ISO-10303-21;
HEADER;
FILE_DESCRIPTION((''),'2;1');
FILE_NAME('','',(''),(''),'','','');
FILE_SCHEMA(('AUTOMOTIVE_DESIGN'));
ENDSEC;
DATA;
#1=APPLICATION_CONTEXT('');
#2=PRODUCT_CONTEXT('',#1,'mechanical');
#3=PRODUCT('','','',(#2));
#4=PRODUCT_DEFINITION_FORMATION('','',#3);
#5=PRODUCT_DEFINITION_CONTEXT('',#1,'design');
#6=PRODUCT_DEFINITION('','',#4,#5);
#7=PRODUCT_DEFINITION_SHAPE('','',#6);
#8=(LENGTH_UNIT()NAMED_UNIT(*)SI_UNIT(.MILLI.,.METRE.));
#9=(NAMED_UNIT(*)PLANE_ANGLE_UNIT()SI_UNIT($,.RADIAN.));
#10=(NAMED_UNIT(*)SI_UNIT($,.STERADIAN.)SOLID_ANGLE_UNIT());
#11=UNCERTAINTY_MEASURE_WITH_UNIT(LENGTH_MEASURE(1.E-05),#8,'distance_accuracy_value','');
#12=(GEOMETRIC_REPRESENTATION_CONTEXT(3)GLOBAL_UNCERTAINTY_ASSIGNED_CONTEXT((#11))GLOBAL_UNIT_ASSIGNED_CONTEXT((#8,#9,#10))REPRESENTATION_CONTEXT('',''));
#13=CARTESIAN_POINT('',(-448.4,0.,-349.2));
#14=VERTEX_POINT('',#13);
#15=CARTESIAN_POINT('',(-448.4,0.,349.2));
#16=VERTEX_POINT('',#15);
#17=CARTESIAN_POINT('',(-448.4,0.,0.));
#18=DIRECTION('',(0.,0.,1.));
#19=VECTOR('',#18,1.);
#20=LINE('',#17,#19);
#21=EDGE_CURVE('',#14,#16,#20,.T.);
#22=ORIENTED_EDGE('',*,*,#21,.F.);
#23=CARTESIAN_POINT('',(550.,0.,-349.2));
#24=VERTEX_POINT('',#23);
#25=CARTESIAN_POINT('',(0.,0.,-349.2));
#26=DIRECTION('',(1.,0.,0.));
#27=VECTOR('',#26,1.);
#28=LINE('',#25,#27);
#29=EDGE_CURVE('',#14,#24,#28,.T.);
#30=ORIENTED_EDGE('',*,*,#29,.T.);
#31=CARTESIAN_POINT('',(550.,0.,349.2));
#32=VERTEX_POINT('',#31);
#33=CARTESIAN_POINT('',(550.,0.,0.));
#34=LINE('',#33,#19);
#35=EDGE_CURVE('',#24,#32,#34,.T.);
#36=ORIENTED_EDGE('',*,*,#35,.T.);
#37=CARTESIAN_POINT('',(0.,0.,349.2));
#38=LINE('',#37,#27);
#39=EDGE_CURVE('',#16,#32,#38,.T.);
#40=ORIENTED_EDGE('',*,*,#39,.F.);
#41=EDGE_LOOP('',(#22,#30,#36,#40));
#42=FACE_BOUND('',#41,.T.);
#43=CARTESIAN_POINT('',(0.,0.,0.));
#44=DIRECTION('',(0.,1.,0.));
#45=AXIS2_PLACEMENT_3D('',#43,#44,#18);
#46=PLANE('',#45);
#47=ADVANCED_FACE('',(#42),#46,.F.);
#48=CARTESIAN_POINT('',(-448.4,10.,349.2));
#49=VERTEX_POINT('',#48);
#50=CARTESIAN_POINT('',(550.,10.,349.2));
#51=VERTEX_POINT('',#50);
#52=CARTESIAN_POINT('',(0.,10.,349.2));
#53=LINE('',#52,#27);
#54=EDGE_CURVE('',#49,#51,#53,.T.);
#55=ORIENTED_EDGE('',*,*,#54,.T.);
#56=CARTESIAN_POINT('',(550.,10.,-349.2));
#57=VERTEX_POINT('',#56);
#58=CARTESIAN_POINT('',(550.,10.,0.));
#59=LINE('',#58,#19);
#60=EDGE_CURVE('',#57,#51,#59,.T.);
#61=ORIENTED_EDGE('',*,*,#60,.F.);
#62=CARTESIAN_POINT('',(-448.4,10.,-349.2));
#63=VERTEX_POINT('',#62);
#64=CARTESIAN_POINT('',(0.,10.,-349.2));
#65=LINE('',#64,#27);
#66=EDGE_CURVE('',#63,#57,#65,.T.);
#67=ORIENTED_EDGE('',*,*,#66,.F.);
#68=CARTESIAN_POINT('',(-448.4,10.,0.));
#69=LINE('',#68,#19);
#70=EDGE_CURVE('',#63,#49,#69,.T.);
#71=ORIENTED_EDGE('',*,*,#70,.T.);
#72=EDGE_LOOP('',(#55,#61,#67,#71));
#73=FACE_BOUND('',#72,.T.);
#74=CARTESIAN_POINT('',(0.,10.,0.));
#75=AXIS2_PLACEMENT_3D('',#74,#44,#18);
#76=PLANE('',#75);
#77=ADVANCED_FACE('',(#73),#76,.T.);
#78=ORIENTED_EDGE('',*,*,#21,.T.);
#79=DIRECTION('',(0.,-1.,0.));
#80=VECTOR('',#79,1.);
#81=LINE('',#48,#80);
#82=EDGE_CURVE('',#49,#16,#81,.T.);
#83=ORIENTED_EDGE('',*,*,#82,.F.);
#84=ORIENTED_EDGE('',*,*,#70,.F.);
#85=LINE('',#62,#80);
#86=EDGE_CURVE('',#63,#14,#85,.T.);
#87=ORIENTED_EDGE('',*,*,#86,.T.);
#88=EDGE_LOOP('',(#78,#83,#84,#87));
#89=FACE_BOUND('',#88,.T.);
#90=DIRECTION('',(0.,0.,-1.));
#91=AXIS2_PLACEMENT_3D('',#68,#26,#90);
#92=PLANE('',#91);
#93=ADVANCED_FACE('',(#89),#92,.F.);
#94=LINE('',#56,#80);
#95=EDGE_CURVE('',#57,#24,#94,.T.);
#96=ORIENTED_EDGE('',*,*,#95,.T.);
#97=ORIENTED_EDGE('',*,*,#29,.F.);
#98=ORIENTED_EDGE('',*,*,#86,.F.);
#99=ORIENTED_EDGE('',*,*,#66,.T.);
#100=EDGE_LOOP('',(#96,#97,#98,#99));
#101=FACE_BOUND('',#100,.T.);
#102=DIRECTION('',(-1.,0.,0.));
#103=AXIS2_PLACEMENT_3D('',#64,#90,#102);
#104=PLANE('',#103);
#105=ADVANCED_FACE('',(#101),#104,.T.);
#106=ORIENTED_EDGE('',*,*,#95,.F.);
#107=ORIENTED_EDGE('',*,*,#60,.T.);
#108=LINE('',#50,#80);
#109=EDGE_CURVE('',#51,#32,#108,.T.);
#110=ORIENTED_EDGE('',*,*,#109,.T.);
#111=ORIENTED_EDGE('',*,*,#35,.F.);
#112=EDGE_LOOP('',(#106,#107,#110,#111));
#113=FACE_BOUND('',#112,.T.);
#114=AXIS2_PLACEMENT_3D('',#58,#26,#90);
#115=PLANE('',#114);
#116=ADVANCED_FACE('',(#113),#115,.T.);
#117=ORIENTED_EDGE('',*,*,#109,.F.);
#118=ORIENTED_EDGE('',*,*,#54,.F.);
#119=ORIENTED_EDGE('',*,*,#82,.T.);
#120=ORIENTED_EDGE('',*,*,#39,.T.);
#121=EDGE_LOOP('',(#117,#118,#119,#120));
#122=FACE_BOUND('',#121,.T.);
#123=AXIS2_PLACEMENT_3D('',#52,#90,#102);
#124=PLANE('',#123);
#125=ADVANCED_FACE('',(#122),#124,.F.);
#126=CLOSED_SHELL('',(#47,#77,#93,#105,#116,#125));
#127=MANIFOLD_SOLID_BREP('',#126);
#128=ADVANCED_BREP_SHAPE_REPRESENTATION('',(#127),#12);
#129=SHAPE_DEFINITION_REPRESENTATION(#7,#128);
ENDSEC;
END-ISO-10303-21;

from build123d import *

# Parameters (mm, degrees)
CROQUIS1_W              = 448.4
CROQUIS1_H              = 698.4
SALIENTE_EXTRUIR1_DEPTH = 10


with BuildPart() as part:
    # Croquis1 → Saliente-Extruir1 (new body)
    with BuildSketch(Plane(origin=(0, 0, 0), x_dir=(1, 0, 0), z_dir=(0, 1, 0))):
        with Locations((-224.2, 0)):
            Rectangle(CROQUIS1_W, CROQUIS1_H)
        Polygon((550, 349.2), (0, 349.2), (0, -349.2), (550, -349.2), (550, -200), (550, -40), (550, 40), (550, 200), align=None)
    extrude(amount=SALIENTE_EXTRUIR1_DEPTH)


solid = part.part
